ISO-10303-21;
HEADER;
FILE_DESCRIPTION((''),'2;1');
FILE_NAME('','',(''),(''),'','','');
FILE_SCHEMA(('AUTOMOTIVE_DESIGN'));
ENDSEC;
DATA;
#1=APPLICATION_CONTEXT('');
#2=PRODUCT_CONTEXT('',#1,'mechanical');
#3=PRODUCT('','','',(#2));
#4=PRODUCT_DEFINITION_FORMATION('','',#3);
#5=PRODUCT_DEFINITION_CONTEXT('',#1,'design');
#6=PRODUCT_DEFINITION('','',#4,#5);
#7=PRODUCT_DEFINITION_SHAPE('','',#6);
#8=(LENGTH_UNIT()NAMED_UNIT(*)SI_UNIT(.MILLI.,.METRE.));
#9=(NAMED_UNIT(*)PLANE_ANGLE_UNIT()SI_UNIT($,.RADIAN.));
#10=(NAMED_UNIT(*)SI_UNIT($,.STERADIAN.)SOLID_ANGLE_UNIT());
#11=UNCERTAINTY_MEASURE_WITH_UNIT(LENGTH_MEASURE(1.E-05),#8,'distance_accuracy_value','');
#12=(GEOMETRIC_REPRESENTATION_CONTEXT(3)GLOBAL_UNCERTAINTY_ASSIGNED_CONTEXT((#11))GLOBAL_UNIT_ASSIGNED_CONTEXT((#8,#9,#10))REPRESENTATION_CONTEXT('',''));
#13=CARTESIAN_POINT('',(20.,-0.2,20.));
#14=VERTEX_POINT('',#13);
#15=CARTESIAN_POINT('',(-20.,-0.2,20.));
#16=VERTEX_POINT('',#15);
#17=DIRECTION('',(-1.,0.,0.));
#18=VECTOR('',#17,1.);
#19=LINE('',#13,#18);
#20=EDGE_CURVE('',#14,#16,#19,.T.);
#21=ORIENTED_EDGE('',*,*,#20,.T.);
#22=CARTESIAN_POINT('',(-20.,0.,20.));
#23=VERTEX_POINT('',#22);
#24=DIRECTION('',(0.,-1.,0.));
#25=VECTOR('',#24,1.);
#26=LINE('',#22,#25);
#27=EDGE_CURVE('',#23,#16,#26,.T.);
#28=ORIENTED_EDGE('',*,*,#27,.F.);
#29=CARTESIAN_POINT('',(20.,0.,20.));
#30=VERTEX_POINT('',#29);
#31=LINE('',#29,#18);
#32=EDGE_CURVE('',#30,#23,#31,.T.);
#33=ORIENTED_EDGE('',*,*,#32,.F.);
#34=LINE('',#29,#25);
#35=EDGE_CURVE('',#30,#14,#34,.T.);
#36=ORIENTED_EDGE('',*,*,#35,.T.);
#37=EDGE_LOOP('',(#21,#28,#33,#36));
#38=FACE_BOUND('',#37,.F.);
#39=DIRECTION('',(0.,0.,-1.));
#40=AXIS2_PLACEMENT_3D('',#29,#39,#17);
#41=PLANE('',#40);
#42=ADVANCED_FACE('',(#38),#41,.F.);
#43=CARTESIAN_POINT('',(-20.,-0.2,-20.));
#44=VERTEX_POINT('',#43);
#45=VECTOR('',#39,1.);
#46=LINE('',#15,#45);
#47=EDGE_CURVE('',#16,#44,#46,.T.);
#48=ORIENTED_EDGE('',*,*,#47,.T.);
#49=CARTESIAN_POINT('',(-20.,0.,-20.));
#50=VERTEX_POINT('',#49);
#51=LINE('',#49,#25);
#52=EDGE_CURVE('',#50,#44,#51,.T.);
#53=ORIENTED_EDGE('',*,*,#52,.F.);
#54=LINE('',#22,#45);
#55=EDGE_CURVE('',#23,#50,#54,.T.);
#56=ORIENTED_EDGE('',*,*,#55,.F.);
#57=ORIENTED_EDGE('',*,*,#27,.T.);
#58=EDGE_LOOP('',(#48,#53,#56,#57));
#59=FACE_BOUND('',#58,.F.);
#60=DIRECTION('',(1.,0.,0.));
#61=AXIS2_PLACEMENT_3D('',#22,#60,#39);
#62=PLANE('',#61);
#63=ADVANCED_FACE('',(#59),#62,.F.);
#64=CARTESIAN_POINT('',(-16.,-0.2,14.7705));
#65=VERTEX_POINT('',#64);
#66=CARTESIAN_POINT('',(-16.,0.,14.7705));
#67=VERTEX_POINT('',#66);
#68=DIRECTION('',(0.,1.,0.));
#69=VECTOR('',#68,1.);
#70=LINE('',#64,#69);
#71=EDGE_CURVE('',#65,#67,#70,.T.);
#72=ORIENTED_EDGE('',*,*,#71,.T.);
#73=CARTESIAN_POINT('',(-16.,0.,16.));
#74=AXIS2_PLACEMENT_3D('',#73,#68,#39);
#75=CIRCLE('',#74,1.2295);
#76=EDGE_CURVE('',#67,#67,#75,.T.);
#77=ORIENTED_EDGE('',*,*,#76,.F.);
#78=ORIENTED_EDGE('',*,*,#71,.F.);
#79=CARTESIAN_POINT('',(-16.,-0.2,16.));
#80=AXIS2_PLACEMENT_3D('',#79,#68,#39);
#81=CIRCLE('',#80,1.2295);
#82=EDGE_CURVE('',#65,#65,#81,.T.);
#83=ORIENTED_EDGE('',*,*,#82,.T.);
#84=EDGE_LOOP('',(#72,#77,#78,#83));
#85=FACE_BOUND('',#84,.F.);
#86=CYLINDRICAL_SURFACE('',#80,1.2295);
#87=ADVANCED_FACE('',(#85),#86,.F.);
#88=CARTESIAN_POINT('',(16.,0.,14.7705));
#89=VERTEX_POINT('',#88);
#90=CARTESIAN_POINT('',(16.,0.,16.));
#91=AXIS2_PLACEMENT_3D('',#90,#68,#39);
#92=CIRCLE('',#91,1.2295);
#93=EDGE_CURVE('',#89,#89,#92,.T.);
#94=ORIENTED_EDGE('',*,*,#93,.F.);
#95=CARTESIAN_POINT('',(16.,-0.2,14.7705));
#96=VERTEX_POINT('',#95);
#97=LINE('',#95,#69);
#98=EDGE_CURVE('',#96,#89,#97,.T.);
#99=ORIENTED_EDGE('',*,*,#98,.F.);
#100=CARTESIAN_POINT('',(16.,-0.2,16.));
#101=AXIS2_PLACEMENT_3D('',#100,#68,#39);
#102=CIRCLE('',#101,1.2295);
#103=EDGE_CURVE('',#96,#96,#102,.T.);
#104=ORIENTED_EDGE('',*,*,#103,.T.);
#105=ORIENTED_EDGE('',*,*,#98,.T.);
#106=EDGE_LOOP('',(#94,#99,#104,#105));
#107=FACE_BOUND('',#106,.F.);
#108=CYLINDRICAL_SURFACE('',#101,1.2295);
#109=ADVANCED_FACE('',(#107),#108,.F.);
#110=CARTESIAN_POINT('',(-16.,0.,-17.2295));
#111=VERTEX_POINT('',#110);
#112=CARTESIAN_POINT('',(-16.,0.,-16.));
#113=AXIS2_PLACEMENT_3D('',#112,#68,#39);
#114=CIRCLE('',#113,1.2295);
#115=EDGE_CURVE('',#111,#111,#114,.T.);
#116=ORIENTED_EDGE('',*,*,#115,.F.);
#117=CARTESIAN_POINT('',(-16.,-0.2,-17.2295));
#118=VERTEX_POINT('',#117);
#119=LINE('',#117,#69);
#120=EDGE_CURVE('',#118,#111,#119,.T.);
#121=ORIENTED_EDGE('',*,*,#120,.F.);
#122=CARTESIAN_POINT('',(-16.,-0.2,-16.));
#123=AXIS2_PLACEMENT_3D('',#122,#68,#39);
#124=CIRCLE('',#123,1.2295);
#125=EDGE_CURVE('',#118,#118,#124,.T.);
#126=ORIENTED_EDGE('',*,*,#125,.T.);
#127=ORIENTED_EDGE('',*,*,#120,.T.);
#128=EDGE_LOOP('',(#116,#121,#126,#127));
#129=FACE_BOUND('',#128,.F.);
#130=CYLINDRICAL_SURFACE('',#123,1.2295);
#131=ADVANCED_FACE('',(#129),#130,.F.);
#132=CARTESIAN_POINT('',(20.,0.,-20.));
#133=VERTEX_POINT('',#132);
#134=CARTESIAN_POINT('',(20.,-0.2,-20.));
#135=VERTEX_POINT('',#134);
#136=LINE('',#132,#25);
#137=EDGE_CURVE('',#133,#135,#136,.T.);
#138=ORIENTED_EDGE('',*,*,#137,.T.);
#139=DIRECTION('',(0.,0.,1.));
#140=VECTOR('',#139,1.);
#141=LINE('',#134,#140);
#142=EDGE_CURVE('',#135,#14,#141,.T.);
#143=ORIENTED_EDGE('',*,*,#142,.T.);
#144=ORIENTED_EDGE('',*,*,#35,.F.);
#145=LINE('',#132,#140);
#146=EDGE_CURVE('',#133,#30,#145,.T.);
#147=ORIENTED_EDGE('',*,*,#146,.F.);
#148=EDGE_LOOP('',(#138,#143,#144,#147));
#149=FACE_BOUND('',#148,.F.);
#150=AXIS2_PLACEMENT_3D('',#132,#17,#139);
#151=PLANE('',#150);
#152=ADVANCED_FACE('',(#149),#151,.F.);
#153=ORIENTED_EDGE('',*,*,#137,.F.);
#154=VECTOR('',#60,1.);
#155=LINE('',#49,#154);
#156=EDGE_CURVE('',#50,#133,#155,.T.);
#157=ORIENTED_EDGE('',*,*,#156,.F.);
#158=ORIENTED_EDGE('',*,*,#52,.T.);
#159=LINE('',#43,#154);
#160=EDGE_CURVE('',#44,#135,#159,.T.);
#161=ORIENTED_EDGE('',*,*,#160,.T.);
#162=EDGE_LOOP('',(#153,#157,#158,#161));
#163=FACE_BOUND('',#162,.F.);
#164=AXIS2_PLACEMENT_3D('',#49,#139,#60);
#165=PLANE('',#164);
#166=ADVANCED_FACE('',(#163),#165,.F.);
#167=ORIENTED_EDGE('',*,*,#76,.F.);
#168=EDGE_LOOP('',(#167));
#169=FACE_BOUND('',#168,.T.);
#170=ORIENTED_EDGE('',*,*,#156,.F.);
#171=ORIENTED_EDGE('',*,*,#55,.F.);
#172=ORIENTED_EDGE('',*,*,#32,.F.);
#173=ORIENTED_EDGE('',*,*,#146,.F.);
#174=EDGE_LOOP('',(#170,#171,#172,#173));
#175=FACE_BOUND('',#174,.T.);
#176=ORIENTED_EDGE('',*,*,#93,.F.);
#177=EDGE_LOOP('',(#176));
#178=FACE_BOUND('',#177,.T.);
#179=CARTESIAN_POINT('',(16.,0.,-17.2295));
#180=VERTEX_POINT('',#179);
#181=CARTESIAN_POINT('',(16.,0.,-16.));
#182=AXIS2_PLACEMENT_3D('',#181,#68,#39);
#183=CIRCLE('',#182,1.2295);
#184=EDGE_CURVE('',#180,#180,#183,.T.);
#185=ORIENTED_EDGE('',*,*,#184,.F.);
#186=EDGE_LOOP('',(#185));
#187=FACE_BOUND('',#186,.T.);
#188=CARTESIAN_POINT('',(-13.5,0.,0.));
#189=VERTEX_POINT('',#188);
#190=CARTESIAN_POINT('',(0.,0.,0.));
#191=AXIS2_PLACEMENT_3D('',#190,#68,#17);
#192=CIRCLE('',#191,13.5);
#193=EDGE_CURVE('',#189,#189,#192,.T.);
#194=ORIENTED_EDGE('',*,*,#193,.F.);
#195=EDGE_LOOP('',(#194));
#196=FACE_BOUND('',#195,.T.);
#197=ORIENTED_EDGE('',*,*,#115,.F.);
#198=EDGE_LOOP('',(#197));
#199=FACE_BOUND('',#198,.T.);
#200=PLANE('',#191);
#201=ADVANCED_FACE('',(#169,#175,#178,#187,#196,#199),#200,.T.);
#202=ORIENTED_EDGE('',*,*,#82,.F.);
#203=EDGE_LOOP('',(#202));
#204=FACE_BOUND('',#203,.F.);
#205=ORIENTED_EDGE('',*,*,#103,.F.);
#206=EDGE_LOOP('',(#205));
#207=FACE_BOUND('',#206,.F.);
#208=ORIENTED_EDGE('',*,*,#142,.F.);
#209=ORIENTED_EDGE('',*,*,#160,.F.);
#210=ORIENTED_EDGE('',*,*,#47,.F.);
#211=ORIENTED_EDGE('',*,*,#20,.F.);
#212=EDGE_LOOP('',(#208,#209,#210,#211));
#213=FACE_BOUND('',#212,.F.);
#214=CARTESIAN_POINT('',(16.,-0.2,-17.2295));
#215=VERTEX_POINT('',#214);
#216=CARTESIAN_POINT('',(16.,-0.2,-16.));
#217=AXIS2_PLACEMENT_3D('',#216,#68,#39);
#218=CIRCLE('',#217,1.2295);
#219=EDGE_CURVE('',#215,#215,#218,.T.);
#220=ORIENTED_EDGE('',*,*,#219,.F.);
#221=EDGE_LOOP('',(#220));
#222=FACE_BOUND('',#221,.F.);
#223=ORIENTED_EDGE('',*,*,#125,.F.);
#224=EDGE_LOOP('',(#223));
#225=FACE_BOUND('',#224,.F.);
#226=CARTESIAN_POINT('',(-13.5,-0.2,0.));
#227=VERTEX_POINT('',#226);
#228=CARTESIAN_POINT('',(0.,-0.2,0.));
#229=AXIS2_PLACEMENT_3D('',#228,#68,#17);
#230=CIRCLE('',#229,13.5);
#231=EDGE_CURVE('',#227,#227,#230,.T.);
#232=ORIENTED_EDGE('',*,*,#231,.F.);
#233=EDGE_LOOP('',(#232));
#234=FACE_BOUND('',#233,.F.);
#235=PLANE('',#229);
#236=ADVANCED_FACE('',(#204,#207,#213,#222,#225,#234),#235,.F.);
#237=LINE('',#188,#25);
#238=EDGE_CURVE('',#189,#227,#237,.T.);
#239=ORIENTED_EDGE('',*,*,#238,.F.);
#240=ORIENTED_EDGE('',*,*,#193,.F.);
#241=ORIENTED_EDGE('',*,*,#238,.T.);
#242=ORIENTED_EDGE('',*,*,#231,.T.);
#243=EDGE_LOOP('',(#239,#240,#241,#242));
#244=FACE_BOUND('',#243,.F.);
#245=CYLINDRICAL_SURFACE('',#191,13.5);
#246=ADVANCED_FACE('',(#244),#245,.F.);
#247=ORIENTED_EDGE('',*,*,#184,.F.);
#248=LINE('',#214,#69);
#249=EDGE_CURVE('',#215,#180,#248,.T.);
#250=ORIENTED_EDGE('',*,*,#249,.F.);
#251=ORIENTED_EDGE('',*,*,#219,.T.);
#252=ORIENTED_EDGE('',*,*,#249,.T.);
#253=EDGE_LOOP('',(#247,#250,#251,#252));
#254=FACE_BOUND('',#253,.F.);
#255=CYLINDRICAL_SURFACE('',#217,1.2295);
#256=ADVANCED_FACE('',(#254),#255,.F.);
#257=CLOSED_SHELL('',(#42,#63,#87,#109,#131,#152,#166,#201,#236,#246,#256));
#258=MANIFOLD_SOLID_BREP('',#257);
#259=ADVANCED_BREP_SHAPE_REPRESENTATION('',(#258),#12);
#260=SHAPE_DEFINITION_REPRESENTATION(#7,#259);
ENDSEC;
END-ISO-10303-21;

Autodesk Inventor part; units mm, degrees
ref_plane "YZ Plane" through (0, 0, 0) normal (1, 0, 0) x (0, 1, 0)
ref_plane "XZ Plane" through (0, 0, 0) normal (0, 1, 0) x (-1, 0, 0)
ref_plane "XY Plane" through (0, 0, 0) normal (0, 0, 1) x (1, 0, 0)
sketch "Skizze1" plane through (0, 0, 0) normal (0, 1, 0) x (-1, 0, 0)
  line L0 (-20, 20) -> (20, 20)
  line L1 (20, 20) -> (20, -20)
  line L2 (20, -20) -> (-20, -20)
  line L3 (-20, -20) -> (-20, 20)
  circle A0 centre (0, 0) radius 13.5
  dimension "d0" = 40
  dimension "d1" = 40
  dimension "d2" = 27
  dimension "d16" = 20
extrude "Extrusion1" add sketch "Skizze1" against normal blind 0.2
sketch "Skizze2" plane through (0, -0.2, 0) normal (0, -1, 0) x (1, 0, 0)
  point P0 (0, 0)
  point P1 (-16, -16)
  point P2 (-16, 16)
  point P3 (16, -16)
  point P4 (16, 16)
  dimension "d12" = 32
  dimension "d13" = 16
  dimension "d14" = 32
  dimension "d15" = 16
hole "Bohrung1" at (-16, -0.2, -16) at (-16, -0.2, 16) at (16, -0.2, -16) at (16, -0.2, 16) direction (0, 1, 0) diameter 2.459 depth 0.2 thread size "M3x0.5" class "6H" standard "ISO Metric profile"
properties part number "zylinderfussdichtung"
